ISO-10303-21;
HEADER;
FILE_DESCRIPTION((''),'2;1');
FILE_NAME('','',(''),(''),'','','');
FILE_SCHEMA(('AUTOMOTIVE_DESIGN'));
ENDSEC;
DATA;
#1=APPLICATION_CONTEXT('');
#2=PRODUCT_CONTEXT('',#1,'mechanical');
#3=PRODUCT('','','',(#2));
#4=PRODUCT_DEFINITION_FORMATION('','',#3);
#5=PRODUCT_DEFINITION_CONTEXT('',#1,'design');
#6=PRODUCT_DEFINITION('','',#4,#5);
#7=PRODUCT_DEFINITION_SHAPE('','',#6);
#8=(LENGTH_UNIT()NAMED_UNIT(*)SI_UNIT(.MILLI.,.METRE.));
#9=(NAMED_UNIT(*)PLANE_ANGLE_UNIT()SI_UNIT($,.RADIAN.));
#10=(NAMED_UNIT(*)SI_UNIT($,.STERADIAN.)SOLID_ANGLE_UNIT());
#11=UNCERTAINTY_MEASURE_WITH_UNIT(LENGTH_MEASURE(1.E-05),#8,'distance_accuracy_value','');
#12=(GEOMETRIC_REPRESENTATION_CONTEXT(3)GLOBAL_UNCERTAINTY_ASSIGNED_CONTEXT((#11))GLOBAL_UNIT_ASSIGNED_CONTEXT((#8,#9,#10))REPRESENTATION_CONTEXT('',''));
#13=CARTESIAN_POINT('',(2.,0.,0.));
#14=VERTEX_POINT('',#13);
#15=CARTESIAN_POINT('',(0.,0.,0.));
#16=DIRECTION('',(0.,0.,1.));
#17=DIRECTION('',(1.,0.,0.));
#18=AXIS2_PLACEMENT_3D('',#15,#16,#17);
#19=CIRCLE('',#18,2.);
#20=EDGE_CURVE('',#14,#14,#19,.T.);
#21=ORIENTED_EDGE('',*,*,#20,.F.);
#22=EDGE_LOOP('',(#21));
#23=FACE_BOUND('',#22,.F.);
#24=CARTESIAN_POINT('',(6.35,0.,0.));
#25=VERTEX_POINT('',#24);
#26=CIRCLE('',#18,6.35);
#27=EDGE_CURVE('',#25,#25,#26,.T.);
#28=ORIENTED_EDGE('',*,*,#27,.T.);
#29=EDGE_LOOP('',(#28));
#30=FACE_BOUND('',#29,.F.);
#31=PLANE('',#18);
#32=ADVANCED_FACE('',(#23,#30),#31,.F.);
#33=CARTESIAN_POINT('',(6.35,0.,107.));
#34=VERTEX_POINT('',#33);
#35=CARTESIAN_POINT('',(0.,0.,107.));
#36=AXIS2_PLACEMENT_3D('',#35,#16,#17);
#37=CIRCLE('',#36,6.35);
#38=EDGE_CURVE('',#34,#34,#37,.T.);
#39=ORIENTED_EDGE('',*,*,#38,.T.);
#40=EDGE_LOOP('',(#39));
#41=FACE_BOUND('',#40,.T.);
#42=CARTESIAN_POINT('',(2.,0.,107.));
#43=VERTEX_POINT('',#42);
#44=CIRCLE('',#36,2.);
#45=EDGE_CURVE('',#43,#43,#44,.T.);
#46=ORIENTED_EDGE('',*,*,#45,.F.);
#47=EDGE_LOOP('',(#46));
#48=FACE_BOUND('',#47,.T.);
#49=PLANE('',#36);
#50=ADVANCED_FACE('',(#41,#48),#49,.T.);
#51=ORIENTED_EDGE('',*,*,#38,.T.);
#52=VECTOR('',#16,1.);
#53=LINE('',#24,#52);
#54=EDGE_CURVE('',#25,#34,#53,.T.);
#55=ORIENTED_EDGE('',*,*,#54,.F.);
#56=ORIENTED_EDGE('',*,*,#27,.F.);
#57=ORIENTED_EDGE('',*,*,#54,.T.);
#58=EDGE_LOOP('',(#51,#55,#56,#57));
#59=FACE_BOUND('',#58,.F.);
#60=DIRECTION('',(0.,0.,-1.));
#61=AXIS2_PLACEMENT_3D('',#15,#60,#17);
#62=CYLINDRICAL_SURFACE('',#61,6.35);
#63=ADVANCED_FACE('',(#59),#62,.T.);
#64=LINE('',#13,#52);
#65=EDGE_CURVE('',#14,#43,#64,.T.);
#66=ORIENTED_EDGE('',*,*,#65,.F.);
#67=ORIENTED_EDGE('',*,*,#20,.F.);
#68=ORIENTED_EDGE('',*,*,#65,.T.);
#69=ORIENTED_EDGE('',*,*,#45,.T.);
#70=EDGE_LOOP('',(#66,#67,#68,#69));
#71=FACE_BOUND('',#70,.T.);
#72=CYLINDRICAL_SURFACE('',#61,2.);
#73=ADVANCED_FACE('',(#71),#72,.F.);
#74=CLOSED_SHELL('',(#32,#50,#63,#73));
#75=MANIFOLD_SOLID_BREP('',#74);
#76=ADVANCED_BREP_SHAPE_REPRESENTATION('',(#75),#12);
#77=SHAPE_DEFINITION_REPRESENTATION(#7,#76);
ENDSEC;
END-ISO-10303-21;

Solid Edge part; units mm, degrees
sketch "Sketch1" plane through (0, 0, 0) normal (0, 0, 1) x (1, 0, 0)
  circle A0 centre (0, 0) radius 6.35
  circle A1 centre (0, 0) radius 2
  dimension "D1" = 12.7
  dimension "D2" = 4
extrude "Protrusion1" add sketch "Sketch1" along normal blind 107
properties part number "BumbleB0450"
